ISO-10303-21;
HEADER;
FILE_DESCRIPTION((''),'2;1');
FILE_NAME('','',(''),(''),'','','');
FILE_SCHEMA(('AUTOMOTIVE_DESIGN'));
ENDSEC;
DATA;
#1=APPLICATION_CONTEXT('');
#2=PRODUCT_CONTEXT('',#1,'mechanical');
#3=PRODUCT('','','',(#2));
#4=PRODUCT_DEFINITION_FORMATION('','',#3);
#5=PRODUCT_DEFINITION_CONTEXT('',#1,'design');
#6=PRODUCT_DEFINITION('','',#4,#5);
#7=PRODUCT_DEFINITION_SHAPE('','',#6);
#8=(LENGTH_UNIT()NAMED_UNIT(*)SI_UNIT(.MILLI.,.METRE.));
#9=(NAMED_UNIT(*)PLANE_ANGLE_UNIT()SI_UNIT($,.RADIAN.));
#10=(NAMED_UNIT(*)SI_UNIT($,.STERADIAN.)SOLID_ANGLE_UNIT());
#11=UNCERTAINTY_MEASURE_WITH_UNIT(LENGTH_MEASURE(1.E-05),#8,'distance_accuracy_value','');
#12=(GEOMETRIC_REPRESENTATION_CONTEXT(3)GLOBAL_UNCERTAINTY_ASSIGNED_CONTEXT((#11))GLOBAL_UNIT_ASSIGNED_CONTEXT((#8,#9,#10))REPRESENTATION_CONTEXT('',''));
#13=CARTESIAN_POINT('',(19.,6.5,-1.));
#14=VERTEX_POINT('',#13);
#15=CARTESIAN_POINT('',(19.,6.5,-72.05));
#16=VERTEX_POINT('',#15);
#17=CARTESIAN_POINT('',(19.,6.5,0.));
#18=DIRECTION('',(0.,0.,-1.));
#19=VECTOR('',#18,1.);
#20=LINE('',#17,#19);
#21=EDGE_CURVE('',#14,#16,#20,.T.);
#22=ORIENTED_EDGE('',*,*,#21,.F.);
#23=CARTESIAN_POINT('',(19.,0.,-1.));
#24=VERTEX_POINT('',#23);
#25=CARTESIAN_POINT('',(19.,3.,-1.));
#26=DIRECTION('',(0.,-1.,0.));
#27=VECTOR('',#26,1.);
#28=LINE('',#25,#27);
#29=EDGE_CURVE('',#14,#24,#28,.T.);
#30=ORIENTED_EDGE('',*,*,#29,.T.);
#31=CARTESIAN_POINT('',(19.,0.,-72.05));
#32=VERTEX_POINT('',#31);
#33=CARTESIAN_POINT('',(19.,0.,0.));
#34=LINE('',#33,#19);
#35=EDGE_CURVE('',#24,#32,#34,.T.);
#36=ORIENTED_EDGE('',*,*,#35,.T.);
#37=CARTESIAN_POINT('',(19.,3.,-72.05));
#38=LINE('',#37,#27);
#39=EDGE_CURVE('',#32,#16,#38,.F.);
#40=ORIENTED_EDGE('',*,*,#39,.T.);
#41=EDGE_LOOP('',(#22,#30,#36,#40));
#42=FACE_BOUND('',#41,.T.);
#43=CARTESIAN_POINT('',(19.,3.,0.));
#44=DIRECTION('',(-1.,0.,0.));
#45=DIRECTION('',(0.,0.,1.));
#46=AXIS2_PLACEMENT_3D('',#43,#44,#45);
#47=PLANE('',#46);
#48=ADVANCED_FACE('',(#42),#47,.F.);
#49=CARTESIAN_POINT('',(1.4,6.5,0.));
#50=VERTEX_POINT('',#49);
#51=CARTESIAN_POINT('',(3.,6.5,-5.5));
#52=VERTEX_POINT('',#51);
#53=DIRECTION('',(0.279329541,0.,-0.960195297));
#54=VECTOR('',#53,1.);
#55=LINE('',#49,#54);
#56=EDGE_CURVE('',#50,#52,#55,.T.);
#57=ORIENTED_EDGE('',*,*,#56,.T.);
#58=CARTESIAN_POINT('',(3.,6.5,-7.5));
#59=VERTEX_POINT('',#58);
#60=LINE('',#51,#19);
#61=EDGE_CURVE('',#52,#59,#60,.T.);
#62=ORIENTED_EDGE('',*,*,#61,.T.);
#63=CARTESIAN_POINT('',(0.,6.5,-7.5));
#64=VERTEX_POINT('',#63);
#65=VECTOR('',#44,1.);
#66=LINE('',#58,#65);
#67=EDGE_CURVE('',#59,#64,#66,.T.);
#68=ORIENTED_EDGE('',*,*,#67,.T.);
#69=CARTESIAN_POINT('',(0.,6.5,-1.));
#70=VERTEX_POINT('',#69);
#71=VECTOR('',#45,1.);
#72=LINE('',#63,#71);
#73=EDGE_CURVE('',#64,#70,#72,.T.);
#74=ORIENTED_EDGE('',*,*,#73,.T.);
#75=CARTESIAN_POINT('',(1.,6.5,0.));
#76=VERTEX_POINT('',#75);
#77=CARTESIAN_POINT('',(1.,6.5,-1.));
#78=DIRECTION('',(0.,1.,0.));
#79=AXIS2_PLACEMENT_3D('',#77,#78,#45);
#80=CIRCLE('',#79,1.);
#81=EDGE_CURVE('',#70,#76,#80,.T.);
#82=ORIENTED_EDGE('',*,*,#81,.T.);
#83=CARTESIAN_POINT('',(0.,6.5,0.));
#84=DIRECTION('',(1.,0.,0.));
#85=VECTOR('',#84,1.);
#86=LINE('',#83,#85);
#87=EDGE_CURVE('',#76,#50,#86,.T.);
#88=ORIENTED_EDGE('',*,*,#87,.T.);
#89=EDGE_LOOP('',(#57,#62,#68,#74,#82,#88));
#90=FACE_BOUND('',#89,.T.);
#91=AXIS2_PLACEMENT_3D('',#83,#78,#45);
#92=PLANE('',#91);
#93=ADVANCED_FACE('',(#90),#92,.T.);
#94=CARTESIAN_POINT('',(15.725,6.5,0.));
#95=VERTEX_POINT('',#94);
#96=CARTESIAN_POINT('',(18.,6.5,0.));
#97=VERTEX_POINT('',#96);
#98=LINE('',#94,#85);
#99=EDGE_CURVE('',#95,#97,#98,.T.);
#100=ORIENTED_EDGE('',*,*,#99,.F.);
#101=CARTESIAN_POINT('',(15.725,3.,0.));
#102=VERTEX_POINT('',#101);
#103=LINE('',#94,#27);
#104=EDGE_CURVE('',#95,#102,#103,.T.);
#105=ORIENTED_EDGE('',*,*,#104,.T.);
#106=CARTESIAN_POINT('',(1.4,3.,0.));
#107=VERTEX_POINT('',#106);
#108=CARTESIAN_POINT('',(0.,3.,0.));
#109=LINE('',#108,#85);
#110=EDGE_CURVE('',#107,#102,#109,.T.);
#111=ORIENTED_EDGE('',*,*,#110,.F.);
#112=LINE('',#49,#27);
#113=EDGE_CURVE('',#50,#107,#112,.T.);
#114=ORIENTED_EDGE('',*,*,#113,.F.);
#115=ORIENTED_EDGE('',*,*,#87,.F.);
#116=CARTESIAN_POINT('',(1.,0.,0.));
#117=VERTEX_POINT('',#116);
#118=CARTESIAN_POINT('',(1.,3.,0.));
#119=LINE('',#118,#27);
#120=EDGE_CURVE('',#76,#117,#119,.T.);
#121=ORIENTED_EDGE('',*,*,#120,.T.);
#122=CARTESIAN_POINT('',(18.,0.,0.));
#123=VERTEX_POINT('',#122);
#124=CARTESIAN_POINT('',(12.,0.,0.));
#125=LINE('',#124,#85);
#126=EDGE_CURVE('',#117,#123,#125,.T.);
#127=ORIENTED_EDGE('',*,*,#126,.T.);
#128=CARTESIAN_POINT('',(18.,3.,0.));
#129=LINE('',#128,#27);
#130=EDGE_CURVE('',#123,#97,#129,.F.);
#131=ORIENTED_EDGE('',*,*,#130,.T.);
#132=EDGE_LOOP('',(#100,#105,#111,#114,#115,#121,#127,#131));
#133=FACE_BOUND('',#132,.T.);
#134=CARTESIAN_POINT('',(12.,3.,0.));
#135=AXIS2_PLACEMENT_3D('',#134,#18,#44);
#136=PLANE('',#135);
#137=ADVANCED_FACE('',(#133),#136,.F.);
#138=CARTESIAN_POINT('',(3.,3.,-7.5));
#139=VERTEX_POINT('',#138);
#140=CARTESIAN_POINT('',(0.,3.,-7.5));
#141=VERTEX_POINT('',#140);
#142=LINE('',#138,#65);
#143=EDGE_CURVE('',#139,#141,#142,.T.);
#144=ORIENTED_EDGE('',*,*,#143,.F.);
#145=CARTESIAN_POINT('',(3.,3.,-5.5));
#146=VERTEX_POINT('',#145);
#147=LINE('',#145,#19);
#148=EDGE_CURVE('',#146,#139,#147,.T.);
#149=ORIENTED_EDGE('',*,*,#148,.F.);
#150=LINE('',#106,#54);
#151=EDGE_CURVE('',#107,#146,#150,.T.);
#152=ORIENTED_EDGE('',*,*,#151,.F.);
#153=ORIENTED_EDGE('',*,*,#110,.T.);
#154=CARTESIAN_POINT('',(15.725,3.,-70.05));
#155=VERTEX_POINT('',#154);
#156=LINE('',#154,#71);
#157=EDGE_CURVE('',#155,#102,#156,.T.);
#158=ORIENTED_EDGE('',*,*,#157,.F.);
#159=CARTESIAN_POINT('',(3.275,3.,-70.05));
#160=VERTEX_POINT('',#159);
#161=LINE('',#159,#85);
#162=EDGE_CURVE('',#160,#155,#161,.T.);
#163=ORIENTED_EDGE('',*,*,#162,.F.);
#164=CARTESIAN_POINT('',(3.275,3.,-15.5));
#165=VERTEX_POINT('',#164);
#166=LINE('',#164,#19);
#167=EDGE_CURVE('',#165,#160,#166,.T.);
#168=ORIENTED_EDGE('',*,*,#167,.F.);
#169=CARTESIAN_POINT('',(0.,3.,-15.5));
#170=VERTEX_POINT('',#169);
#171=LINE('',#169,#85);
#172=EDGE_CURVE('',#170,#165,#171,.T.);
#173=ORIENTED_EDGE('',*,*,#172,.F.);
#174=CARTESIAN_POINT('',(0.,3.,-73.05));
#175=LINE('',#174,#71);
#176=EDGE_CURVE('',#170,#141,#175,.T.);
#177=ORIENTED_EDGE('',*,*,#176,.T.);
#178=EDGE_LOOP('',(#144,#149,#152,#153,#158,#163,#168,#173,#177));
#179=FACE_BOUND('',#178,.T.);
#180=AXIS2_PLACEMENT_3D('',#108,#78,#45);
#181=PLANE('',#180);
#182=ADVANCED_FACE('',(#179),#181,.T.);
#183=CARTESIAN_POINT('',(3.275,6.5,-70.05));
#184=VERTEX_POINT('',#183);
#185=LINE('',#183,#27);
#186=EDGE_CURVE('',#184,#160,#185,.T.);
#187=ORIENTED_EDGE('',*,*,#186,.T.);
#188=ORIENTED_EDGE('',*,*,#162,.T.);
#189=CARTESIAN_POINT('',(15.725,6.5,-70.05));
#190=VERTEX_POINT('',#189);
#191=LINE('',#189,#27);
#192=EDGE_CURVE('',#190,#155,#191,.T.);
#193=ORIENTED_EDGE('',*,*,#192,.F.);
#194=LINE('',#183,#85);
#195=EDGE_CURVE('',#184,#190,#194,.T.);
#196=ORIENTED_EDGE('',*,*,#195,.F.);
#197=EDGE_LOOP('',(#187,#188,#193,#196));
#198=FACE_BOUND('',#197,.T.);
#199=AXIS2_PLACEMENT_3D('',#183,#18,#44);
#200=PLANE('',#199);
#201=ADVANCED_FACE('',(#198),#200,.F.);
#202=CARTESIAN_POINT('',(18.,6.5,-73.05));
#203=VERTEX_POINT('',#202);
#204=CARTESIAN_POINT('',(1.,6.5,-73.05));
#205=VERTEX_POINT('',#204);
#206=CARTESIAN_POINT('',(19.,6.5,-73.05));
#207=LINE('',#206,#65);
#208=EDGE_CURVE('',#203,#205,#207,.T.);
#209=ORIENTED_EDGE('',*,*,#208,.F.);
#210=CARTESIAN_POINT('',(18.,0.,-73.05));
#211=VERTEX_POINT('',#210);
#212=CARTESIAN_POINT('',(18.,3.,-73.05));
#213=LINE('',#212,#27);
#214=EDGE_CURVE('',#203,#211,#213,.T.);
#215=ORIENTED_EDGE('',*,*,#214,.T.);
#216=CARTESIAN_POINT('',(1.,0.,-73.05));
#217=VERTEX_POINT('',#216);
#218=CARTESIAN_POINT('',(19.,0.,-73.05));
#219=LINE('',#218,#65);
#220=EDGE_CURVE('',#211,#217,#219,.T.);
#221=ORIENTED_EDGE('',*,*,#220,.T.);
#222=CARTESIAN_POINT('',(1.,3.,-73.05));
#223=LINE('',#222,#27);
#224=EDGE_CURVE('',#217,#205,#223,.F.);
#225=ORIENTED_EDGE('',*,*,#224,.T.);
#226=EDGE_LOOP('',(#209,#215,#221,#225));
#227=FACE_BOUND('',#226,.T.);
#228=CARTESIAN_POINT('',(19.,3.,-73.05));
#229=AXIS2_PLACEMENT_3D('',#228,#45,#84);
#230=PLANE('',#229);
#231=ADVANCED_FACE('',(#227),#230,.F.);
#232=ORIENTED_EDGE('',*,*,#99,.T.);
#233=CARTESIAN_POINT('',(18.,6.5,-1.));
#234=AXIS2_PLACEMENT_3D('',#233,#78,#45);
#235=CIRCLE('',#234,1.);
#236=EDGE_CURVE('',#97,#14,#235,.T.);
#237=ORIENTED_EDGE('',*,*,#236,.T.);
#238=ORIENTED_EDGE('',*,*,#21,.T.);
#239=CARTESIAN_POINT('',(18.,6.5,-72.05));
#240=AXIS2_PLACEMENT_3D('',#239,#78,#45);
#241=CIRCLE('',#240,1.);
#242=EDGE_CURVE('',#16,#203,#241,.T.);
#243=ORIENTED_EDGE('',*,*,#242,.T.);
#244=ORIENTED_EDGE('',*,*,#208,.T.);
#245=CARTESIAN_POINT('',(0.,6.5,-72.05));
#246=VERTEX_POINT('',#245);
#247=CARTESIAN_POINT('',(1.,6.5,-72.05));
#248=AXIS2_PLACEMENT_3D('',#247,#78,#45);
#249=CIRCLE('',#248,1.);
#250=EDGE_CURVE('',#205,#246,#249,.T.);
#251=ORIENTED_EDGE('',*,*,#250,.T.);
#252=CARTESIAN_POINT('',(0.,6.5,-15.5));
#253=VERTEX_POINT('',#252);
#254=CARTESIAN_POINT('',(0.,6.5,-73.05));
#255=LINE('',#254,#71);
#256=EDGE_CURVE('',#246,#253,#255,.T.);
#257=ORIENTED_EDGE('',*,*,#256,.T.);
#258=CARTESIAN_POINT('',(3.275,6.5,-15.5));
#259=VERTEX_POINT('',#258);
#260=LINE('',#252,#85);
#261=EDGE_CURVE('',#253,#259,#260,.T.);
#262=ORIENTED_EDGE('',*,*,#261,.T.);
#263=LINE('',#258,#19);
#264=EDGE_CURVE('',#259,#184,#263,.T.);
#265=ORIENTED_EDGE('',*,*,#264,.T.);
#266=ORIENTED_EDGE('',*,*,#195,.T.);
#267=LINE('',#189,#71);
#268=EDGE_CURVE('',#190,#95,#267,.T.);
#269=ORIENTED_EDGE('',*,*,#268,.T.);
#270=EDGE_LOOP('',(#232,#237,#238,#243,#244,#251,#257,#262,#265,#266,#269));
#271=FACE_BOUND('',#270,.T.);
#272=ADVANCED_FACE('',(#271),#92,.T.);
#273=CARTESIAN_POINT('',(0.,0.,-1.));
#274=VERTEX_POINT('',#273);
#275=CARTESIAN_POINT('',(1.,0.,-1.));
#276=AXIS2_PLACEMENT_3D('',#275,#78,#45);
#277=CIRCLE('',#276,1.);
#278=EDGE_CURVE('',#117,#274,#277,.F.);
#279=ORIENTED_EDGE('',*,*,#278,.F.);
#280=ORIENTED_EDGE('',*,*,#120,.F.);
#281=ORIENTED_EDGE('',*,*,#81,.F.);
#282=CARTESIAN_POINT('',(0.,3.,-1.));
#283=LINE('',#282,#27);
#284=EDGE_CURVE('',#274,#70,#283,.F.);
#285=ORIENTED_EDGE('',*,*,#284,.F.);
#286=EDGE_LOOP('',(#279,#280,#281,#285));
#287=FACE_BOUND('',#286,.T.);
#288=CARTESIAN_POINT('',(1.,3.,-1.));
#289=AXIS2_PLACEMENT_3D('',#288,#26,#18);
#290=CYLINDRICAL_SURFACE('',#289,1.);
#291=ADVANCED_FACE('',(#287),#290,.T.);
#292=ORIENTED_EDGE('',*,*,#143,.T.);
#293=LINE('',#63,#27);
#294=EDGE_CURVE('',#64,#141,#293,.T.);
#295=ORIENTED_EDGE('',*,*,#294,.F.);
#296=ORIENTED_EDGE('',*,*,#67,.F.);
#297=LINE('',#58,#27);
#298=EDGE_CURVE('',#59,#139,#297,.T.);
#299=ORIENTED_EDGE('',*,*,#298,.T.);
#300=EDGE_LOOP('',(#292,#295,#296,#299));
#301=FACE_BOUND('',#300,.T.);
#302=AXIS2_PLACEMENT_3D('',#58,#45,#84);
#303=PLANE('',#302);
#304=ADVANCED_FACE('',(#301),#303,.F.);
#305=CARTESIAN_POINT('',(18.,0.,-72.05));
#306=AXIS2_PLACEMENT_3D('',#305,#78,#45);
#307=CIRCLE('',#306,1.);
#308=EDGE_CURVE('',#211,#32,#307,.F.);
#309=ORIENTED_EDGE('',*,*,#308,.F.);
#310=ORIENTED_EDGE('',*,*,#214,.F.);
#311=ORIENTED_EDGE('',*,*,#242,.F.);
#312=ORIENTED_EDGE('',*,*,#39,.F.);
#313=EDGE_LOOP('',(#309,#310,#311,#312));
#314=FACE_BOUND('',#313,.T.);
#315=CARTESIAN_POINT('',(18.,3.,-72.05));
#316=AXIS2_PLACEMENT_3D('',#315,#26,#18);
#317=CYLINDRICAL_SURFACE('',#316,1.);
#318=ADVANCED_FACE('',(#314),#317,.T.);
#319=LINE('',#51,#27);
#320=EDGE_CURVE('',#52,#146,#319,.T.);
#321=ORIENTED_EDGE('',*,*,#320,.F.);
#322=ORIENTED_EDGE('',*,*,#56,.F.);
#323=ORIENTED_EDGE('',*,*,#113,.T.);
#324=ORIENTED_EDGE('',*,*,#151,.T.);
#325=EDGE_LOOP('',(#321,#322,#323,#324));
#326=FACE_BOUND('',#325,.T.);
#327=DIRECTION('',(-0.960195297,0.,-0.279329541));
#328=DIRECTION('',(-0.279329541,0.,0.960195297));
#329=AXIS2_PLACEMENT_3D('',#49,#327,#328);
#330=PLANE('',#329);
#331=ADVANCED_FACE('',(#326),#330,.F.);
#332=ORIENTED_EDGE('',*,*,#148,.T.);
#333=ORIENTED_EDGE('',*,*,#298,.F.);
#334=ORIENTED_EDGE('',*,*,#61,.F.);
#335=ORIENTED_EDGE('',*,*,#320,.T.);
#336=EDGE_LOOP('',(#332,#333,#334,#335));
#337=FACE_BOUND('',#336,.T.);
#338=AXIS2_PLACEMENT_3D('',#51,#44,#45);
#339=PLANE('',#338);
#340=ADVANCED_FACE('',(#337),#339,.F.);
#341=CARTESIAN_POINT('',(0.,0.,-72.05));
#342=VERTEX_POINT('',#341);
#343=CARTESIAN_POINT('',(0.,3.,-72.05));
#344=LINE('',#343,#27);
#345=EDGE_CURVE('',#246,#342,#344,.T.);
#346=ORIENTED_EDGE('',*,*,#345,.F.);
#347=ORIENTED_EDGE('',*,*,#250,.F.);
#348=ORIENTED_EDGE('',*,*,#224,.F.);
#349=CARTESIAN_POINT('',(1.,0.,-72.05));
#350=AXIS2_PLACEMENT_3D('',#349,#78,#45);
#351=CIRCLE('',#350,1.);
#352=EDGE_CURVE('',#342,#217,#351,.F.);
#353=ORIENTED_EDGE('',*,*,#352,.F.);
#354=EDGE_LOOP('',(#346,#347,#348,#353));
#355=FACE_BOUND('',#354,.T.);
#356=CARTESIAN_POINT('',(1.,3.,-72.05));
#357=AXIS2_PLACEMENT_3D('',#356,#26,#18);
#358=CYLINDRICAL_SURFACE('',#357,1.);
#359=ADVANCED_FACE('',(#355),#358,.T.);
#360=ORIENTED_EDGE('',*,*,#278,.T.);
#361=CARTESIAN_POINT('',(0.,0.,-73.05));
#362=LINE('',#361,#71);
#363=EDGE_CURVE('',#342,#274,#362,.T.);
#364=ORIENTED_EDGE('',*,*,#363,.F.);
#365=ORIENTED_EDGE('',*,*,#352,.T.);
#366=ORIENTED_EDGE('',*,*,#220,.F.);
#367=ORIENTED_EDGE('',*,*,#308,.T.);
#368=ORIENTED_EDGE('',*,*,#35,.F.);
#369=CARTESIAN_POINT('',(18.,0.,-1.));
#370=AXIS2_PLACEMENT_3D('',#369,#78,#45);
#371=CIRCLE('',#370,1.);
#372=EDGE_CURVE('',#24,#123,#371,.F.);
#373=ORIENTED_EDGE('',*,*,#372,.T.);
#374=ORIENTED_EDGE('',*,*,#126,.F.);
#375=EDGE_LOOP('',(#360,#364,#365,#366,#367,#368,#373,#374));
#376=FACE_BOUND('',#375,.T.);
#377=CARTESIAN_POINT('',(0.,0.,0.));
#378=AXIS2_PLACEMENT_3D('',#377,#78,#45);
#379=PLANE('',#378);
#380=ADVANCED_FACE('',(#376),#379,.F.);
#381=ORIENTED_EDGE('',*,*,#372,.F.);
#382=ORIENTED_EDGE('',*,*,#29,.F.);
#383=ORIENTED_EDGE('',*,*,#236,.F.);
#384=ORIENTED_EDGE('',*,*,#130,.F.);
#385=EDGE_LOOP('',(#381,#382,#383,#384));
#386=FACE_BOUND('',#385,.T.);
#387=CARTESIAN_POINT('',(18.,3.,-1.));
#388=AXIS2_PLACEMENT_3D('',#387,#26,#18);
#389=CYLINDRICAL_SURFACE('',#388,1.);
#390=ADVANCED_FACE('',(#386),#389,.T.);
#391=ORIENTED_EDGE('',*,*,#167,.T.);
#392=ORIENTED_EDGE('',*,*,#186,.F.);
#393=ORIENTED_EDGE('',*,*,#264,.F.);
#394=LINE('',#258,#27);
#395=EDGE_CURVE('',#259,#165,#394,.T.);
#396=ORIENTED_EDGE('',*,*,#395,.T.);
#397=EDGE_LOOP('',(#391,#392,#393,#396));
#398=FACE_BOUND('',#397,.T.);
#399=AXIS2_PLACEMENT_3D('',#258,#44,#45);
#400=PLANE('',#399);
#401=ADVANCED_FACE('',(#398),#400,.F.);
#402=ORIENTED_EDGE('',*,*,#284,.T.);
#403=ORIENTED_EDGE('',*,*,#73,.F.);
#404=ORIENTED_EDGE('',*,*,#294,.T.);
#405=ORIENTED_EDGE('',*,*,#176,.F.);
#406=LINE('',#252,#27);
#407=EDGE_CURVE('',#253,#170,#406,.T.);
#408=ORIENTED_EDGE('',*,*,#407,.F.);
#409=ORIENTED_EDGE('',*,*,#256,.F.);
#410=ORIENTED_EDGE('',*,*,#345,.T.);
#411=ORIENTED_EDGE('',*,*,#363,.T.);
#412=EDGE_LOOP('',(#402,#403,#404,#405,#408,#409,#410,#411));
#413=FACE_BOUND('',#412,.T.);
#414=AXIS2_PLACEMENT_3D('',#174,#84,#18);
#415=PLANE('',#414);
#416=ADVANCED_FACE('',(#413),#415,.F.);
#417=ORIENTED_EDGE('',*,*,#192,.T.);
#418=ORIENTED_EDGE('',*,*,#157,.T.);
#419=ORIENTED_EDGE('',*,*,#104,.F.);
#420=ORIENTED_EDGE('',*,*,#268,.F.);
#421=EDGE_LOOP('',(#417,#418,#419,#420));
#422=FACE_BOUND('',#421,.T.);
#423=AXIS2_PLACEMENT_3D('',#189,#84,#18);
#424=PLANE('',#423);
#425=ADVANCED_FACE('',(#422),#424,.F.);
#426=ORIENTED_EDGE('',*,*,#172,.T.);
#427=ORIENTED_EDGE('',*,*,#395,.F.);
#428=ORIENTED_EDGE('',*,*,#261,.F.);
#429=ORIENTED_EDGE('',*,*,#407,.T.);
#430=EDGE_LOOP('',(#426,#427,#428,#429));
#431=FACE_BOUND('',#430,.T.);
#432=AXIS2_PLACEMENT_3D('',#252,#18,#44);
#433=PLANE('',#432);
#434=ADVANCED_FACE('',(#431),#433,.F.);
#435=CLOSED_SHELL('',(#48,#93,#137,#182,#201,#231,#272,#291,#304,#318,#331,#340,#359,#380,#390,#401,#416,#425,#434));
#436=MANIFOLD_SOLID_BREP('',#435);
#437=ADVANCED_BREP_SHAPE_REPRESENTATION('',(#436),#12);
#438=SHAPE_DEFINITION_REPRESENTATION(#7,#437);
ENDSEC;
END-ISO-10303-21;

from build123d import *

# Parameters (mm, degrees)
EXTRUDE_1_DEPTH = 3
EXTRUDE_2_DEPTH = 3.5
FILLET_3_R      = 1


with BuildPart() as part:
    # ｽｹｯﾁ1 → ﾎﾞｽ - 押し出し1 (new body)
    with BuildSketch(Plane(origin=(0, 0, 0), x_dir=(1, 0, 0), z_dir=(0, 1, 0))):
        Polygon((0, 0), (7, 0), (12, 0), (19, 0), (19, 73.05), (0, 73.05), align=None)
    extrude(amount=EXTRUDE_1_DEPTH)

    # ｽｹｯﾁ2 → ﾎﾞｽ - 押し出し2 (add)
    with BuildSketch(Plane(origin=(0, 3, 0), x_dir=(1, 0, 0), z_dir=(0, 1, 0))):
        Polygon((1.4, 0), (3, 5.5), (3, 7.5), (0, 7.5), (0, 0), align=None)
        Polygon((0, 15.5), (3.275, 15.5), (3.275, 70.05), (15.725, 70.05), (15.725, 0), (19, 0), (19, 73.05), (0, 73.05), align=None)
    extrude(amount=EXTRUDE_2_DEPTH)

    # ﾌｨﾚｯﾄ3
    fillet_3_edges = [part.edges().sort_by_distance(p)[0] for p in [
        (0, 3.25, -73.05),
        (19, 3.25, -73.05),
        (19, 3.25, 0),
        (0, 3.25, 0),
    ]]
    fillet(fillet_3_edges, radius=FILLET_3_R)


solid = part.part
